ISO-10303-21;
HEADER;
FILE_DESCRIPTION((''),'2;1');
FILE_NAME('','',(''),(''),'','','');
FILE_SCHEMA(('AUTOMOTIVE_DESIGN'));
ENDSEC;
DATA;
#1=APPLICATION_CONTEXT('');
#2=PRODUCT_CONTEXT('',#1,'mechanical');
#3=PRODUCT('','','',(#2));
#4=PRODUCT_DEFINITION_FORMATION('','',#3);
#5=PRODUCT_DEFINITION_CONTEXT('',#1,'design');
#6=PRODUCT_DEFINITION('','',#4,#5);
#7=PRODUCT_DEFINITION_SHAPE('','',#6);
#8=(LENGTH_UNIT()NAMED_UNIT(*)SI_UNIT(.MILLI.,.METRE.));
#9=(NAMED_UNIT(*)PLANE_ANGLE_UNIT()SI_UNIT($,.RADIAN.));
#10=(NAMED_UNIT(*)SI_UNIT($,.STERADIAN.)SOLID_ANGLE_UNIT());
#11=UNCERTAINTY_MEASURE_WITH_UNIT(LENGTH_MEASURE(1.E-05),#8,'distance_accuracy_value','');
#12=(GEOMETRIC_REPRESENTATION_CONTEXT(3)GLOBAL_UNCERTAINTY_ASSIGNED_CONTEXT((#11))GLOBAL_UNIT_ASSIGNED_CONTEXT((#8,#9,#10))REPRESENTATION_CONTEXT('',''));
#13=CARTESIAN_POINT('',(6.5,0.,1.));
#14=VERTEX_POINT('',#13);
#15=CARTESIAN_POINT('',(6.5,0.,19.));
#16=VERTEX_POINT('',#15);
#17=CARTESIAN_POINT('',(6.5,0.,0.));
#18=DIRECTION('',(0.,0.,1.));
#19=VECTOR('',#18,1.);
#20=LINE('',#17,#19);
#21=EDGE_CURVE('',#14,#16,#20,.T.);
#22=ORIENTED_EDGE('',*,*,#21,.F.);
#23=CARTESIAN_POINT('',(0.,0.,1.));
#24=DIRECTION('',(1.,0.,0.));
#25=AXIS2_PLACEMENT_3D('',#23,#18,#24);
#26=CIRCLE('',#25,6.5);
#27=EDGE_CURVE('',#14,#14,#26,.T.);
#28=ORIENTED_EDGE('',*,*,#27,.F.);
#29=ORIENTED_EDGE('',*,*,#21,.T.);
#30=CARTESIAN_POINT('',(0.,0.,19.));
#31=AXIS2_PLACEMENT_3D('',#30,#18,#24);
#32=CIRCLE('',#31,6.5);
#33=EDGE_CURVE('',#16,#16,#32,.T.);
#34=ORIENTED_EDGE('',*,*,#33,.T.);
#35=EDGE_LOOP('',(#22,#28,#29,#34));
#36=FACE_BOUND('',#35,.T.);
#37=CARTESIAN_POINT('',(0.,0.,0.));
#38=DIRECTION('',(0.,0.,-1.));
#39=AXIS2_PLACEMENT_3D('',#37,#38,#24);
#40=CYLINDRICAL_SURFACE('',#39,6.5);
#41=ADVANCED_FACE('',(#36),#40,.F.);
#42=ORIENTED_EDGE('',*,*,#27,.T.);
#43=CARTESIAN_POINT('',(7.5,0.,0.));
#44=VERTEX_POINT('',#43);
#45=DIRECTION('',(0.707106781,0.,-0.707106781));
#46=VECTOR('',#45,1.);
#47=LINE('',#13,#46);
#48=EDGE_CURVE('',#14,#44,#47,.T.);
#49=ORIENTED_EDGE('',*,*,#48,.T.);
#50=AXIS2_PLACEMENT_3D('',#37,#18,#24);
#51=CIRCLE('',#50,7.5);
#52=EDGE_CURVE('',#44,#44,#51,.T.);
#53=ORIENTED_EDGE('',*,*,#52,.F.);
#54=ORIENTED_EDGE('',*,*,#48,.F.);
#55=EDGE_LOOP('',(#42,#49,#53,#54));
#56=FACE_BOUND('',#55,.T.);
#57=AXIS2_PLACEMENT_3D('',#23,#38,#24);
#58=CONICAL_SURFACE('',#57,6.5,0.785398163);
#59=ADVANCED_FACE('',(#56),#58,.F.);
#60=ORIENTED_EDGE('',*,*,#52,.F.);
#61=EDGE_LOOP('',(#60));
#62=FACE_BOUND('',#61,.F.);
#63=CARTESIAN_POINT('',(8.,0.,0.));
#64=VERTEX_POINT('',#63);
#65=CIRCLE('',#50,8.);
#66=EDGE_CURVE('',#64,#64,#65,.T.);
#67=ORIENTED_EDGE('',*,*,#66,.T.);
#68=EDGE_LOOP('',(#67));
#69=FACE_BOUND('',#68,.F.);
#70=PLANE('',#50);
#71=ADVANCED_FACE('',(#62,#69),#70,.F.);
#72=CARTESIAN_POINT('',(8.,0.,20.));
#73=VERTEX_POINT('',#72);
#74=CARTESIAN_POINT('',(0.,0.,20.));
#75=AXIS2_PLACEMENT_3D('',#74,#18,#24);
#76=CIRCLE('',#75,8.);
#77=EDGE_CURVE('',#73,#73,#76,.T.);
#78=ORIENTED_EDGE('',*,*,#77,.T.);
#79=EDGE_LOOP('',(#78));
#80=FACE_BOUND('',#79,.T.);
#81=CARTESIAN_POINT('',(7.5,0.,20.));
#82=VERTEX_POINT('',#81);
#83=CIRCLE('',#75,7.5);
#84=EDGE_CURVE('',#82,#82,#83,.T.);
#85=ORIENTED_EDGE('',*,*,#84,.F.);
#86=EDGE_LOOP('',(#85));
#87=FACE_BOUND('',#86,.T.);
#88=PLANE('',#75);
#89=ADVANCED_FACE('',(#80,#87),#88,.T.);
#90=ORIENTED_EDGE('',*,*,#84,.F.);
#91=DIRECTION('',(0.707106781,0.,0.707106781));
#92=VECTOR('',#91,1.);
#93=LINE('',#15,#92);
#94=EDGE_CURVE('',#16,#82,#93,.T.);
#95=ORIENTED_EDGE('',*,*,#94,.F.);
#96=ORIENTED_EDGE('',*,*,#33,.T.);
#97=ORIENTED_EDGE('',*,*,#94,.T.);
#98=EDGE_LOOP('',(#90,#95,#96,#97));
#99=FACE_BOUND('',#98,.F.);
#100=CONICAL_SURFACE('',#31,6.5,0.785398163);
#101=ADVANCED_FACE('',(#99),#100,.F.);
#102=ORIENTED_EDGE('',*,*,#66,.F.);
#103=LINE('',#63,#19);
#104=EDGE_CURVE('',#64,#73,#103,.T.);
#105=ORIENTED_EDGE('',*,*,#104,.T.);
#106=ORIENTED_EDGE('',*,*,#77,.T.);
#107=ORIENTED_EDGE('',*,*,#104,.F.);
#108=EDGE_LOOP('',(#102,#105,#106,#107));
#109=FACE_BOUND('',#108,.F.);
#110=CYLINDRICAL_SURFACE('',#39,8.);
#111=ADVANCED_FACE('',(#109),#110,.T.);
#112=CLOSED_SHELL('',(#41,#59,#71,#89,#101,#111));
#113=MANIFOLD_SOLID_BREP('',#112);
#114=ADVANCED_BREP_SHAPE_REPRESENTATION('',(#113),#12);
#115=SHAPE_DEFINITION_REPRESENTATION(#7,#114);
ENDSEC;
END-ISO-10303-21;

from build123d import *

# Parameters (mm, degrees)
SKETCH_R        = 8
SKETCH_R_2      = 6.5
PAD_DEPTH       = 20
CHAMFER_SIZE    = 1
CHAMFER001_SIZE = 1


with BuildPart() as part:
    # Sketch → Pad (new body)
    with BuildSketch(Plane.XY):
        Circle(SKETCH_R)
        Circle(SKETCH_R_2, mode=Mode.SUBTRACT)
    extrude(amount=PAD_DEPTH)

    # Chamfer
    chamfer_edges = [part.edges().sort_by_distance(p)[0] for p in [
        (-6.5, 0, 20),
    ]]
    chamfer(chamfer_edges, length=CHAMFER_SIZE)

    # Chamfer001
    chamfer001_edges = [part.edges().sort_by_distance(p)[0] for p in [
        (-6.5, 0, 0),
    ]]
    chamfer(chamfer001_edges, length=CHAMFER001_SIZE)


solid = part.part
